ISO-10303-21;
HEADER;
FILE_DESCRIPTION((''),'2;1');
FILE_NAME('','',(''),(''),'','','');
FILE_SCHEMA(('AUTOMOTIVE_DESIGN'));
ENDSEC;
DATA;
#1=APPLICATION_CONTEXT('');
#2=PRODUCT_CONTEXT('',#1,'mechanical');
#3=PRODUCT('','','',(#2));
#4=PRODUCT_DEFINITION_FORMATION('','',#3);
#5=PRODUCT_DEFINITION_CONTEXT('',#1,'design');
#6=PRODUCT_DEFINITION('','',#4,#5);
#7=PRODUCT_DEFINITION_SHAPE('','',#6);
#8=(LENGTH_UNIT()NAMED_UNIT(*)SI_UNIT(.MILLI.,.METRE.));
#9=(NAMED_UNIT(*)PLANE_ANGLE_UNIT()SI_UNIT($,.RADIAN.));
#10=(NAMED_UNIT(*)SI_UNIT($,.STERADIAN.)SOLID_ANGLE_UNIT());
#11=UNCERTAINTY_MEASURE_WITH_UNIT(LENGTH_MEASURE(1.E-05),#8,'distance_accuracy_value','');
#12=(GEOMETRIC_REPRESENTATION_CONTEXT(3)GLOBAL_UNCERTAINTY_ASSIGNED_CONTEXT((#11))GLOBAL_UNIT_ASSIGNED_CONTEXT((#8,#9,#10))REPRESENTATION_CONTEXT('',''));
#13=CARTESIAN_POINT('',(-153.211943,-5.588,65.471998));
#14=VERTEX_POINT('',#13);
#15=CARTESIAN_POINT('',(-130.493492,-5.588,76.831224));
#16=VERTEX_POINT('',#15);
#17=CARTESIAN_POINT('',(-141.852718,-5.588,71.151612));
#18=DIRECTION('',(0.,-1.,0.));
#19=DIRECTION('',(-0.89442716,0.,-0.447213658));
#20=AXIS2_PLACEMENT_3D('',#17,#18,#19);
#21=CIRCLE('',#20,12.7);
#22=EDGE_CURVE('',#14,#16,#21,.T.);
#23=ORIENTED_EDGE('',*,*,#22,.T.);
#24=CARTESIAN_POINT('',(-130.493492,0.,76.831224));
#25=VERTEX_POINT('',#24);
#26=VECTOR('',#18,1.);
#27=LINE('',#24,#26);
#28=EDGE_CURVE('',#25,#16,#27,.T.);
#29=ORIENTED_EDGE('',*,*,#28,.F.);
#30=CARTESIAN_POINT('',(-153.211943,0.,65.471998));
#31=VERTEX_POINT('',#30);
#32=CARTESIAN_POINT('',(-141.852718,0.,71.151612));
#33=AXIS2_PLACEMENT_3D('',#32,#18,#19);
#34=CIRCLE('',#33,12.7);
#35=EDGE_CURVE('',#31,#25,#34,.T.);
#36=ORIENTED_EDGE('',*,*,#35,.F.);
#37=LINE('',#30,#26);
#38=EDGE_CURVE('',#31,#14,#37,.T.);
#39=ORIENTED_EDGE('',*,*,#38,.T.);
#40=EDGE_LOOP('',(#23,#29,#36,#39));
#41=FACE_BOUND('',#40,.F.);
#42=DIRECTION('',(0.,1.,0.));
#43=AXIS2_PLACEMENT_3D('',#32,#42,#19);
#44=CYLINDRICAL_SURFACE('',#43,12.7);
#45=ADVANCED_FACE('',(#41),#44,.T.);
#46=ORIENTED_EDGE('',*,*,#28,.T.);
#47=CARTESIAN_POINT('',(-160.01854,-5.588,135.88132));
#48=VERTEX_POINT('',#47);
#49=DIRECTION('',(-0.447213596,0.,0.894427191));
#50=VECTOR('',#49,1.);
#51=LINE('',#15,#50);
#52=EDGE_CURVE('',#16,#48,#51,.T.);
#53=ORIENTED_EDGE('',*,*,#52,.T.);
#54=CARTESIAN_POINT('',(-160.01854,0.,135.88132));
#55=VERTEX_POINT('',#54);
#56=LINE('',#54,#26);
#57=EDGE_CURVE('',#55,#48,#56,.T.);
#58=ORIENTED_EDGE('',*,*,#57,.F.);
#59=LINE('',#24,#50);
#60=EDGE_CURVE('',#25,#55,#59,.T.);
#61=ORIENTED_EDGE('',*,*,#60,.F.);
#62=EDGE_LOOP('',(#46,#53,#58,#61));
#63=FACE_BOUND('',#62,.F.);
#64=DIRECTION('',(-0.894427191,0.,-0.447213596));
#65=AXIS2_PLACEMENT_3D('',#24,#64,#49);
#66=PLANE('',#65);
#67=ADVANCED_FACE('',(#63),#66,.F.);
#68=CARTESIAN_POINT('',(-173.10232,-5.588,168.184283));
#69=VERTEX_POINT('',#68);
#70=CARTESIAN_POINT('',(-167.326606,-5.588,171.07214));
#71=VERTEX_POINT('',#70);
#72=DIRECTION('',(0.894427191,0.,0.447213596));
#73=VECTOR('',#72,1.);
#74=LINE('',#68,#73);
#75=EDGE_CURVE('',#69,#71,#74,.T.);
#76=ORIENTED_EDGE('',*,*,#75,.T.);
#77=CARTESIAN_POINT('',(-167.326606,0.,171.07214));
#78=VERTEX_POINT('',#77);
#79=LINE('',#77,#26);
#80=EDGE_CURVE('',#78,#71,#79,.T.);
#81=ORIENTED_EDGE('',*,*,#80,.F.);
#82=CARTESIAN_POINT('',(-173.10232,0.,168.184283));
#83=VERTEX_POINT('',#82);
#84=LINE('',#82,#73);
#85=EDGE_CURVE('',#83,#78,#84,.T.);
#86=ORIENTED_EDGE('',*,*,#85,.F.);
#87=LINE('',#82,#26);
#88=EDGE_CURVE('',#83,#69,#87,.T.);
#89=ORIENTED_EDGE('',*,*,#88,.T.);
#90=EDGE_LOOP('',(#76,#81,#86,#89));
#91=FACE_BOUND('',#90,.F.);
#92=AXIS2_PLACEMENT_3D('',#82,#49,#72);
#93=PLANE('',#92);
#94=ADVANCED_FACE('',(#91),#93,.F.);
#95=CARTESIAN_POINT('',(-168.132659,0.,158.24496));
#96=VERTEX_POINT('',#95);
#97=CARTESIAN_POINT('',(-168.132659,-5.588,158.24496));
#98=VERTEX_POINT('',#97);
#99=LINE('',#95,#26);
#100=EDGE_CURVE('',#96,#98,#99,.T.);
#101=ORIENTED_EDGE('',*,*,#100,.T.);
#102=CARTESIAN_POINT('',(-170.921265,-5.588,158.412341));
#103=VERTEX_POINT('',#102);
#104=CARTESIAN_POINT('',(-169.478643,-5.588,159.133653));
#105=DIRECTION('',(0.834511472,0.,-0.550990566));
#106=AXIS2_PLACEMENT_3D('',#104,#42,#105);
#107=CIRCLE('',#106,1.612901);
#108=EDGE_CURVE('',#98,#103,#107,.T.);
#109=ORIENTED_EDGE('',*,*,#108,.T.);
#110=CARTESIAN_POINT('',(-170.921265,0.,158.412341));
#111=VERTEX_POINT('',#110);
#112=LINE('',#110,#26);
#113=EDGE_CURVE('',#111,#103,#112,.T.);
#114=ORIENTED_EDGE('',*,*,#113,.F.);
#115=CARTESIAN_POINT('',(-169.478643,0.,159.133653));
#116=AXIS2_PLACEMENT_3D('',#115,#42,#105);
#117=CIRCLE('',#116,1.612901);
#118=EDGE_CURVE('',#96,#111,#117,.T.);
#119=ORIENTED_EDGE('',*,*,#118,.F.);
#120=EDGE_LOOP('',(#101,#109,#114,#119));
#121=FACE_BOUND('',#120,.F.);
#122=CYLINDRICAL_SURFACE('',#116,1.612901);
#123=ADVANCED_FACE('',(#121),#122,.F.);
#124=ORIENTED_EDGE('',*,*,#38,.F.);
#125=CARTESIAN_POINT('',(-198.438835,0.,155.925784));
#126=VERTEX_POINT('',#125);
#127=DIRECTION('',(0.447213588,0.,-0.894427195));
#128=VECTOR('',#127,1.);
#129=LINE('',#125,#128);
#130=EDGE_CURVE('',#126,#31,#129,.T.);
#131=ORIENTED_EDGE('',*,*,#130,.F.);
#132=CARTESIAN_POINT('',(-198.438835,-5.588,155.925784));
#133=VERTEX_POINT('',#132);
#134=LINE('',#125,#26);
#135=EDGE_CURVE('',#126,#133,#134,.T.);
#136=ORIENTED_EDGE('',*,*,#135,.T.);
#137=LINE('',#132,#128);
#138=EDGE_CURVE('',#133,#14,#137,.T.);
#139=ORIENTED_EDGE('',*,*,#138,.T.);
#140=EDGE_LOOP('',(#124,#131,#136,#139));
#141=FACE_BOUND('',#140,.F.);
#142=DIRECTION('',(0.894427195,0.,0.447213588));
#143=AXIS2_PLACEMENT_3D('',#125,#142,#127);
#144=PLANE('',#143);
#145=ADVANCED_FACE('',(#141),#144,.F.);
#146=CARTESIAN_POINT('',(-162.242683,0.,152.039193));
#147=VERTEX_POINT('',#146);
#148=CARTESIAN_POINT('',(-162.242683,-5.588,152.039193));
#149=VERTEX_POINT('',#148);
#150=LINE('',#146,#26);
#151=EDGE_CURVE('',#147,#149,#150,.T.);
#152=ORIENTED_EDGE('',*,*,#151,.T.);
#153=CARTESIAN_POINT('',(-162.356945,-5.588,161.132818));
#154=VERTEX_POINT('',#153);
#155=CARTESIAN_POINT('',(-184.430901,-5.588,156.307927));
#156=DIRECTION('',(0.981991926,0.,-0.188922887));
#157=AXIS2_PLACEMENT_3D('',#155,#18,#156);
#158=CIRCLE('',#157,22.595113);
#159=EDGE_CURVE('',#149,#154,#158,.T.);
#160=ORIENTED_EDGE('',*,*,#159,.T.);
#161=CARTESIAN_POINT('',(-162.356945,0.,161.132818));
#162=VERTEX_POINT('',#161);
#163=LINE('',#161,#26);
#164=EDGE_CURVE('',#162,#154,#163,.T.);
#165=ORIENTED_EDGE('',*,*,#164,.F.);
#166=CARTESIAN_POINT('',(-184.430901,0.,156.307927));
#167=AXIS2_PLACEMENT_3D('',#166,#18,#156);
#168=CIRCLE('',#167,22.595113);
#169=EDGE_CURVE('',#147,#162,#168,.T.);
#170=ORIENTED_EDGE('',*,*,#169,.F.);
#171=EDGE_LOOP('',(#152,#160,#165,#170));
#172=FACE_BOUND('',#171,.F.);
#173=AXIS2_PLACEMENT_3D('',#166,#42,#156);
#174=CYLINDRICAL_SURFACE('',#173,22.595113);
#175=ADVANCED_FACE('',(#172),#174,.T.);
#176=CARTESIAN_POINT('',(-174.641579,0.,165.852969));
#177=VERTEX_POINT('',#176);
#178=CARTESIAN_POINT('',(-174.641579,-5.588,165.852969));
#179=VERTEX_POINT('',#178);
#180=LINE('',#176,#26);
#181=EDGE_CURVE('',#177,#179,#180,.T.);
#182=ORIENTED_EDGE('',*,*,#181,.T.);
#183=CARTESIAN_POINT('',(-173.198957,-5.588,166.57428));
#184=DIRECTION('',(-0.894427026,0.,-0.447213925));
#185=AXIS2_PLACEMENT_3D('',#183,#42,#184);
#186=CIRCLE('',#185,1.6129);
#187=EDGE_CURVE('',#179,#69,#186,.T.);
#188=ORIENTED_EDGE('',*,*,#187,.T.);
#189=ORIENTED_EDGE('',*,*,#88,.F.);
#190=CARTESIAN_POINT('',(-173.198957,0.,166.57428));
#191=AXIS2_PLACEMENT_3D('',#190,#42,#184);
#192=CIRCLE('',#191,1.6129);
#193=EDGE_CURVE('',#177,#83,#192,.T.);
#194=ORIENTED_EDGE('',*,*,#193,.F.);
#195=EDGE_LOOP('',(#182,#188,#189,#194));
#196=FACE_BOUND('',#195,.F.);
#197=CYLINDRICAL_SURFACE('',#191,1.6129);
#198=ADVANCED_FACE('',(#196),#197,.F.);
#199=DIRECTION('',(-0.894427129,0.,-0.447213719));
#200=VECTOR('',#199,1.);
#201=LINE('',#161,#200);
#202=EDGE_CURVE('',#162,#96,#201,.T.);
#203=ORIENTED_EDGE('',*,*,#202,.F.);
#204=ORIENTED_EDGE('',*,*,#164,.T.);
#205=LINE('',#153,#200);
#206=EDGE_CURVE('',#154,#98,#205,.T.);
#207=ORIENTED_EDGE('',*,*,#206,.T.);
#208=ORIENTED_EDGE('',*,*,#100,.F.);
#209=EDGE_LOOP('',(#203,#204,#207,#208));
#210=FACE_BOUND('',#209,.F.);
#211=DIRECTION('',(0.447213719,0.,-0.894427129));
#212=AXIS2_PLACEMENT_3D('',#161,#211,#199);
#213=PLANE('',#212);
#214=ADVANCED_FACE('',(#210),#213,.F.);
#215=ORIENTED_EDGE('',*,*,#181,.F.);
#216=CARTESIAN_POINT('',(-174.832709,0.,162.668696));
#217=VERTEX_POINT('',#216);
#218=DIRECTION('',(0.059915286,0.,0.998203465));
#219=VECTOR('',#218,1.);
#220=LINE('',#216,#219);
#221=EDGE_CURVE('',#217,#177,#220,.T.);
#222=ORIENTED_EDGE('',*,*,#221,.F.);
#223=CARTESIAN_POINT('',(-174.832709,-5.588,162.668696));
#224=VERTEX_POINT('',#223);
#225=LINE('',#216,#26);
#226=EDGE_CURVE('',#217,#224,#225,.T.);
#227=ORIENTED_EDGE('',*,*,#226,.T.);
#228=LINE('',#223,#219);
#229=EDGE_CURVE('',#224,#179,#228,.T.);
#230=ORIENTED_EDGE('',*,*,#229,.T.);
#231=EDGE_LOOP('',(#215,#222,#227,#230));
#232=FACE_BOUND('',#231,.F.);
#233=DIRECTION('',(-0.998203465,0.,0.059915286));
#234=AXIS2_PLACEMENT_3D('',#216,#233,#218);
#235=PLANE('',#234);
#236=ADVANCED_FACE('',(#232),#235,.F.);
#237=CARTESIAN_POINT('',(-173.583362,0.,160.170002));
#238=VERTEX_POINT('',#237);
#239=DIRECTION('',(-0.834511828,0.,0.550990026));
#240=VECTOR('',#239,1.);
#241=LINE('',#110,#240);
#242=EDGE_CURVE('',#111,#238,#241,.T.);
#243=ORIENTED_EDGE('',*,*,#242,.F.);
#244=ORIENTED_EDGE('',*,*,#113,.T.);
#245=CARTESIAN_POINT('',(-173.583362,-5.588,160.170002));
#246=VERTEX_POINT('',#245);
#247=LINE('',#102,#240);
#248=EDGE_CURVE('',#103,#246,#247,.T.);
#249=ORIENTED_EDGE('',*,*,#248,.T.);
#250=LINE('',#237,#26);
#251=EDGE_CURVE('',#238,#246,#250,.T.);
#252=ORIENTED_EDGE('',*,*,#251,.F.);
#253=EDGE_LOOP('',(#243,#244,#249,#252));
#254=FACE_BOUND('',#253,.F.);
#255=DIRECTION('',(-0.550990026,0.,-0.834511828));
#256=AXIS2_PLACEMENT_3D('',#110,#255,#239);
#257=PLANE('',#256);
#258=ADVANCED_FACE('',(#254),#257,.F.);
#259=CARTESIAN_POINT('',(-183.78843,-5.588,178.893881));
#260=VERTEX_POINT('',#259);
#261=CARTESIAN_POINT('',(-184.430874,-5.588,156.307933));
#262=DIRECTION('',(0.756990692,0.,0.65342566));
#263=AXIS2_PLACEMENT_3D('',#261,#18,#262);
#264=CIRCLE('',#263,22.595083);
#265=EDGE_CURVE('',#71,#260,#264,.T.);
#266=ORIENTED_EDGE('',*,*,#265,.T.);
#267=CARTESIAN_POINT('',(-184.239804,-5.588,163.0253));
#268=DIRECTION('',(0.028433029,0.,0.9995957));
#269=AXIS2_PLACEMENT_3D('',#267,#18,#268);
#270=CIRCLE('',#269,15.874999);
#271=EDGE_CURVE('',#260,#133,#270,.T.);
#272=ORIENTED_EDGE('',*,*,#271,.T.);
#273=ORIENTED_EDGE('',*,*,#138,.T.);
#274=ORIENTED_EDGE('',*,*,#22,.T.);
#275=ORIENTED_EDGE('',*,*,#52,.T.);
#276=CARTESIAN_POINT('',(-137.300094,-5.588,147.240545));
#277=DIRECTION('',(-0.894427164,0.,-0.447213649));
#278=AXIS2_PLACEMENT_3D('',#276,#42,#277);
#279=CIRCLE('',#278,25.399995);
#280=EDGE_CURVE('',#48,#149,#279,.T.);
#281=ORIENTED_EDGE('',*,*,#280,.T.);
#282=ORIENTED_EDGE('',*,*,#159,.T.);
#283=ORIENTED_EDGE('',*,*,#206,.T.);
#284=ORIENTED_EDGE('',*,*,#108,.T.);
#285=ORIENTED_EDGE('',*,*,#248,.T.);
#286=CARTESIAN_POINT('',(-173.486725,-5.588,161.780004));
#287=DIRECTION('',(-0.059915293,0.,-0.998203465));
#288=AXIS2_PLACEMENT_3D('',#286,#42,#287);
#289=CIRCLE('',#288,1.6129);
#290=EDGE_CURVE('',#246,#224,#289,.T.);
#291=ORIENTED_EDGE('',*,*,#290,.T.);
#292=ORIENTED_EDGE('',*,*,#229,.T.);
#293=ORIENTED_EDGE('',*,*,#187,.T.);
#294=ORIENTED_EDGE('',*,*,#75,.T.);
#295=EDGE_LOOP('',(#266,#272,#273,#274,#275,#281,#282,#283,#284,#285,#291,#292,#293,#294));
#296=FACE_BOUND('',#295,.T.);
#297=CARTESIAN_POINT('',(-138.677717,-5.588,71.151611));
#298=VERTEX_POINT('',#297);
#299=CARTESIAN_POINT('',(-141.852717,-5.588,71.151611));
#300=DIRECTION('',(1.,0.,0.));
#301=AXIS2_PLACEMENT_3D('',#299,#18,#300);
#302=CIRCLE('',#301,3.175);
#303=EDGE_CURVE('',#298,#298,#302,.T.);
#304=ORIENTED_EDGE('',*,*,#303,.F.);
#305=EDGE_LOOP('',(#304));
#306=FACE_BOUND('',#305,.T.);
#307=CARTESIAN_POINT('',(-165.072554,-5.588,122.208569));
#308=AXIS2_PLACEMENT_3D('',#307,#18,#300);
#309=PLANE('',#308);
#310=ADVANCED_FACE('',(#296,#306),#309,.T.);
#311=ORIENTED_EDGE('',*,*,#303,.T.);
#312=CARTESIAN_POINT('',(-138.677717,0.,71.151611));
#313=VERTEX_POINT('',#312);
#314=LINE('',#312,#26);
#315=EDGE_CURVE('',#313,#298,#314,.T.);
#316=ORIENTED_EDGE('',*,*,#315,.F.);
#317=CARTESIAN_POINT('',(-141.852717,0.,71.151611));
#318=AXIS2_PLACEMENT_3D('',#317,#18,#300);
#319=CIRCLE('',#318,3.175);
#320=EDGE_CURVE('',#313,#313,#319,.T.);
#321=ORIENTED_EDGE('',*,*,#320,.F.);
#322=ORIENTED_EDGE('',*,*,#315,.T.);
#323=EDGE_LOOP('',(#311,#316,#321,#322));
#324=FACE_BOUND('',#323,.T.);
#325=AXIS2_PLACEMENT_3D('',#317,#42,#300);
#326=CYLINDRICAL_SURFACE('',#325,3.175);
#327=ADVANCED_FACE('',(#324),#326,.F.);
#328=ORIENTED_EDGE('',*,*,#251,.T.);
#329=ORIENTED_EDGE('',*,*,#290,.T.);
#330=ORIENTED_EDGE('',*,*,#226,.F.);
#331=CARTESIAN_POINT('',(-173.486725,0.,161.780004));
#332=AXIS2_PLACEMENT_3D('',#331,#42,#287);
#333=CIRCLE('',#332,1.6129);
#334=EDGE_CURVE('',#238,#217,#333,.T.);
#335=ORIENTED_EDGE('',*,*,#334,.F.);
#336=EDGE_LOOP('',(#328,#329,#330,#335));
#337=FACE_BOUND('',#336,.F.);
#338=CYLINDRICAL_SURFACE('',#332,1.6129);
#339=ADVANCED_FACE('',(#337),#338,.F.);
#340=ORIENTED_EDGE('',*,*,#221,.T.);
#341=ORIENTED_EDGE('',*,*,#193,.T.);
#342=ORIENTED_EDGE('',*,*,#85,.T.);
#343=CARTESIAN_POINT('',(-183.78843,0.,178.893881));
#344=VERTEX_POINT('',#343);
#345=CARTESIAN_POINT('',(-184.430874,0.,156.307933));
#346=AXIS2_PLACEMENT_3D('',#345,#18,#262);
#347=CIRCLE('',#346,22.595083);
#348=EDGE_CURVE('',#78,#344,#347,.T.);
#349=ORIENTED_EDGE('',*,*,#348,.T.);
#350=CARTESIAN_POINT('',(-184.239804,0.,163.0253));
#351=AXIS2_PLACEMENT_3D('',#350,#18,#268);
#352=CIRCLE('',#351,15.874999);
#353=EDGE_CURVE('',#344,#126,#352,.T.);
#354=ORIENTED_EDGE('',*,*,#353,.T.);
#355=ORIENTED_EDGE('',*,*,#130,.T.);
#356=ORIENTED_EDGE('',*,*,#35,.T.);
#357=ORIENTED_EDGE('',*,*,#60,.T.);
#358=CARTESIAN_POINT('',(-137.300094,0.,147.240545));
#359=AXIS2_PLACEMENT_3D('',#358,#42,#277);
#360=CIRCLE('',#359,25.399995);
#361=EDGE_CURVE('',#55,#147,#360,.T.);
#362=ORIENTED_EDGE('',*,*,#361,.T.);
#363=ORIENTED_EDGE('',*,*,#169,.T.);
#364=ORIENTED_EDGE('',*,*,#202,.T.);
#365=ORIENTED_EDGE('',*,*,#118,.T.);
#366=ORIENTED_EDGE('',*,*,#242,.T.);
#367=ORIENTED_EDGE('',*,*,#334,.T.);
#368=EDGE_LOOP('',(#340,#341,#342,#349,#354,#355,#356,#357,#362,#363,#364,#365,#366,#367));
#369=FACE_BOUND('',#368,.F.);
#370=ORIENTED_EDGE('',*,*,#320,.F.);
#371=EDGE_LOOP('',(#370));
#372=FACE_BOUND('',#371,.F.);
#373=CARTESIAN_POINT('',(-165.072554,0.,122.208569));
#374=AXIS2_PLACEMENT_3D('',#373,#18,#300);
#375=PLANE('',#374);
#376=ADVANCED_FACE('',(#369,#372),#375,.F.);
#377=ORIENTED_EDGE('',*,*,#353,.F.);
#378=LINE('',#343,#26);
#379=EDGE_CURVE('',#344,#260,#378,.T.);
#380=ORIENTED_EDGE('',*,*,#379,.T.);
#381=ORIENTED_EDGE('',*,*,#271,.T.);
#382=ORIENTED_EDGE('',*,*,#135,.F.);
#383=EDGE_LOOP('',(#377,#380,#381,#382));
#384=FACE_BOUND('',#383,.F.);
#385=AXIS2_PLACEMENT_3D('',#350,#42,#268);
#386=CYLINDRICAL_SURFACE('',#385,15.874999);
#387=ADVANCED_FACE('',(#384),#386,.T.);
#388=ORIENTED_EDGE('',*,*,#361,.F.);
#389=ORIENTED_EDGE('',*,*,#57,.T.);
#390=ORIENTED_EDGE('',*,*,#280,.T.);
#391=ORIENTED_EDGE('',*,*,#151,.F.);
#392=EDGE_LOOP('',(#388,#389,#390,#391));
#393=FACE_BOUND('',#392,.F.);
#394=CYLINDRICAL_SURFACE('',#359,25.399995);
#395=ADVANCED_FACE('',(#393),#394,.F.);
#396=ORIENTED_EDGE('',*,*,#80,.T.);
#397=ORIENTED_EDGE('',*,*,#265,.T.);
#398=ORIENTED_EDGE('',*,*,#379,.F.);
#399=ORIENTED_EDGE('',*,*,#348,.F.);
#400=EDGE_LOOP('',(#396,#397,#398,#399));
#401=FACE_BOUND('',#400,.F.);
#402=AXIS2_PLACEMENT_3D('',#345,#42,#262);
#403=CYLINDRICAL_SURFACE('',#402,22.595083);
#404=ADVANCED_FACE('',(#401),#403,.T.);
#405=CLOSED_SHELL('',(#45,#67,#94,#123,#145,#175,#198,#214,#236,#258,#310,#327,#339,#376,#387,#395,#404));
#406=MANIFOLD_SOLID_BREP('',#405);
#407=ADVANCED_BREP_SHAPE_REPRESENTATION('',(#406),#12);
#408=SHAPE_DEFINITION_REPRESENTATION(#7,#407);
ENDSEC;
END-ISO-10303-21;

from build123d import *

# Parameters (mm, degrees)
F1_R     = 3.175
F2_DEPTH = 5.588


with BuildPart() as f2:
    # F1 (on Front) → F2 (new body)
    with BuildSketch(Plane.XZ):
        with BuildLine():
            ThreePointArc((-168.132659, 158.24496), (-169.575281, 157.52365), (-170.921265, 158.412341))
            Line((-170.921265, 158.412341), (-173.583362, 160.170002))
            ThreePointArc((-173.583362, 160.170002), (-174.929346, 161.058693), (-174.832709, 162.668696))
            Line((-174.832709, 162.668696), (-174.641579, 165.852969))
            ThreePointArc((-174.641579, 165.852969), (-174.544942, 167.462972), (-173.10232, 168.184283))
            Line((-173.10232, 168.184283), (-167.326606, 171.07214))
            ThreePointArc((-167.326606, 171.07214), (-174.733897, 176.716422), (-183.78843, 178.893881))
            ThreePointArc((-183.78843, 178.893881), (-197.623858, 171.562437), (-198.438835, 155.925784))
            Line((-198.438835, 155.925784), (-153.211943, 65.471998))
            ThreePointArc((-153.211943, 65.471998), (-136.173105, 59.792386), (-130.493492, 76.831224))
            Line((-130.493492, 76.831224), (-160.01854, 135.88132))
            ThreePointArc((-160.01854, 135.88132), (-162.46282, 143.776877), (-162.242683, 152.039193))
            ThreePointArc((-162.242683, 152.039193), (-161.837572, 156.591814), (-162.356945, 161.132818))
            Line((-162.356945, 161.132818), (-168.132659, 158.24496))
        make_face()
        with Locations((-141.852717, 71.151611)):
            Circle(F1_R, mode=Mode.SUBTRACT)
    extrude(amount=F2_DEPTH)


solid = f2.part
